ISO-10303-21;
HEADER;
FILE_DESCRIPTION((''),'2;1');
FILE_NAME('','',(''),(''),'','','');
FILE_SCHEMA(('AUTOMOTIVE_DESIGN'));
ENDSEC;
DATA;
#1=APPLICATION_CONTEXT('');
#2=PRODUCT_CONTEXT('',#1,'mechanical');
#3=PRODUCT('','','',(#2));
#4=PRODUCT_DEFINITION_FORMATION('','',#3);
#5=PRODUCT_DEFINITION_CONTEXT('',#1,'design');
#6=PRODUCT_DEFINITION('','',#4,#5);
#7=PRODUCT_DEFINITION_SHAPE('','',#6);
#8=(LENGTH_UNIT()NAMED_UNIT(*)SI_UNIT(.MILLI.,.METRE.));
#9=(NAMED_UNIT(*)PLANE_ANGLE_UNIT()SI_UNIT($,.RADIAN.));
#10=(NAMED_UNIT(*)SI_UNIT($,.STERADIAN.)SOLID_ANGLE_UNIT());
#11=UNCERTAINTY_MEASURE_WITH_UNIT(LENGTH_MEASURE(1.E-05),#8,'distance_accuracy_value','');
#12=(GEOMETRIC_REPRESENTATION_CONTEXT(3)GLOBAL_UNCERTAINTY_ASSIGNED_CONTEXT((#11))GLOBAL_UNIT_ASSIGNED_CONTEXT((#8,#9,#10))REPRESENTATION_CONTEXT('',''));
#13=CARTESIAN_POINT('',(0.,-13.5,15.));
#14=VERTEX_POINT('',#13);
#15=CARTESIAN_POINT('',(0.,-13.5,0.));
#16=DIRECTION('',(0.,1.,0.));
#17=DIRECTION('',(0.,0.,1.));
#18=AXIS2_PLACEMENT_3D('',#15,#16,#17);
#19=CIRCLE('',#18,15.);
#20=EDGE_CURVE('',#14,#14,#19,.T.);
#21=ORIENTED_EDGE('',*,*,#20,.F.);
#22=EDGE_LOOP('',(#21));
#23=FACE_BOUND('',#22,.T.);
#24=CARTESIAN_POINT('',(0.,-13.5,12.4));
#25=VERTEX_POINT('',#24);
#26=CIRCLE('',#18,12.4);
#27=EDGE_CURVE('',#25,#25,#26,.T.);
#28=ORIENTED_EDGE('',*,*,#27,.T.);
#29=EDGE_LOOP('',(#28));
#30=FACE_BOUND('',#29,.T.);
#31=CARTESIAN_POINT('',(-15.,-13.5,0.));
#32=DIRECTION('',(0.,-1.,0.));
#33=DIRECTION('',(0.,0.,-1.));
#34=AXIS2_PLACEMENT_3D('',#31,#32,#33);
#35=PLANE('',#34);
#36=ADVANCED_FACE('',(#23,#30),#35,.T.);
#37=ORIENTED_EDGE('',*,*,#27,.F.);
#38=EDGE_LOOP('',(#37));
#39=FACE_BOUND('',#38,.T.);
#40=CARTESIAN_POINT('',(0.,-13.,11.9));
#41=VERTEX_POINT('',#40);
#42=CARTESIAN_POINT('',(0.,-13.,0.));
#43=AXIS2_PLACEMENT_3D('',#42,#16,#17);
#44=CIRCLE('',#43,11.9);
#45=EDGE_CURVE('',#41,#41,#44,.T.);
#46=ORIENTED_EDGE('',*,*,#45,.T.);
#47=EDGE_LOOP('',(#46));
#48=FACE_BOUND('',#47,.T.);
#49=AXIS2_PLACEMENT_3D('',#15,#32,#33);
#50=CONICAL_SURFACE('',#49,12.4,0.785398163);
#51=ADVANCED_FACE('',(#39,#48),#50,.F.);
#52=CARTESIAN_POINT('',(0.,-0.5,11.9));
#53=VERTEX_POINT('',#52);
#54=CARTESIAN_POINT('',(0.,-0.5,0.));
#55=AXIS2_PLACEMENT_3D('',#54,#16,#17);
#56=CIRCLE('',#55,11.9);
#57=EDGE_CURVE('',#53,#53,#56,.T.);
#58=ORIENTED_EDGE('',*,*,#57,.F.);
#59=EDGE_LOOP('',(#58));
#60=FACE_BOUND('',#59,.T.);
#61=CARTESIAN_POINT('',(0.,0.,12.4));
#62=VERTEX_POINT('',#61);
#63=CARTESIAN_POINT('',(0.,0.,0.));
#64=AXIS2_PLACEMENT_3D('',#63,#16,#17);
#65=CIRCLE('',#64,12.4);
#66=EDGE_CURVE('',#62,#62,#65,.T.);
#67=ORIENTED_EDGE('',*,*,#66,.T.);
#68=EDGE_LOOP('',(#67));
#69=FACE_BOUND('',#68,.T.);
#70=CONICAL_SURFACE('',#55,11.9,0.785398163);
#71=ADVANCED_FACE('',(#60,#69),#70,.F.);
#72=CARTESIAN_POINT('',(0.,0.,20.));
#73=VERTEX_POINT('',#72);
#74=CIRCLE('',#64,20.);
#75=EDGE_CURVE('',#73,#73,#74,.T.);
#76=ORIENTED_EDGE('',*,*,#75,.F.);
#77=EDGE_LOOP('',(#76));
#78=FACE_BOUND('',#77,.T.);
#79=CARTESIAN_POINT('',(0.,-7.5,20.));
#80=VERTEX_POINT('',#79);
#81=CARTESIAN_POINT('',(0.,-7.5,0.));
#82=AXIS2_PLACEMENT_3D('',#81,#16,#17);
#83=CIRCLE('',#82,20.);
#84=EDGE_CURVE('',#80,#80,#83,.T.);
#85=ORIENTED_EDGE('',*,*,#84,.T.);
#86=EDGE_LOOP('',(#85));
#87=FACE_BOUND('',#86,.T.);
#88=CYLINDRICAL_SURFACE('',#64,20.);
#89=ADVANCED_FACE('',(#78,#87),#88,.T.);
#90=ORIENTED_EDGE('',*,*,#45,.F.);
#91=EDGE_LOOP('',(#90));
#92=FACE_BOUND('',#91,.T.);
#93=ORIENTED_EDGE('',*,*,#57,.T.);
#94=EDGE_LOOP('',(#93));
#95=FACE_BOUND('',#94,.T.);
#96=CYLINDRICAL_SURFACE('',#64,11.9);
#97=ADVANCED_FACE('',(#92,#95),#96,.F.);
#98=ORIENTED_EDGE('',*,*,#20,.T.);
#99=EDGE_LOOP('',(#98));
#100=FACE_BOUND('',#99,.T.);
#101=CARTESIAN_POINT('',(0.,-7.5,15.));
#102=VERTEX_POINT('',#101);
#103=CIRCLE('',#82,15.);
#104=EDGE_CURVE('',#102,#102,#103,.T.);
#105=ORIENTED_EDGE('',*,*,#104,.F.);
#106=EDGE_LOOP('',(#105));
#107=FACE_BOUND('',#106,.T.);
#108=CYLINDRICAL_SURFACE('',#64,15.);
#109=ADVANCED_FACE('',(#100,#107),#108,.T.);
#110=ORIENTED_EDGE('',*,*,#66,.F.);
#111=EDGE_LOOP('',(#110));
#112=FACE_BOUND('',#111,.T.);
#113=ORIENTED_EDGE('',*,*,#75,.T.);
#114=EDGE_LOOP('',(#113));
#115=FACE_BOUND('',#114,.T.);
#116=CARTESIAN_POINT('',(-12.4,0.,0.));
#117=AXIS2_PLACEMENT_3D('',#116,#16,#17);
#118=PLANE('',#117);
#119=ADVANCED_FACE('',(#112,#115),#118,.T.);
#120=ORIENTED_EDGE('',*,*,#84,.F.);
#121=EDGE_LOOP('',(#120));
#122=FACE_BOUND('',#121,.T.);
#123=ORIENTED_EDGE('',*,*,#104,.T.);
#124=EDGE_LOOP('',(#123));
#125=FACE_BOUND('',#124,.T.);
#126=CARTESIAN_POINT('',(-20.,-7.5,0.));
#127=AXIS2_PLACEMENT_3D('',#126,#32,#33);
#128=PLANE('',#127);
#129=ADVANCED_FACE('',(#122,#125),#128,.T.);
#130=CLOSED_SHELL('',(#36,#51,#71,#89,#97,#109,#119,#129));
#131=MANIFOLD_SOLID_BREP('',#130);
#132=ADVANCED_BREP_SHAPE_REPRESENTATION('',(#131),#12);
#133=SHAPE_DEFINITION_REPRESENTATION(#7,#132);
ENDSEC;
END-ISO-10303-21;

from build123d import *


with BuildPart() as part:
    # Esquisse1 → Révolution1 (revolve)
    with BuildSketch(Plane.XY, mode=Mode.PRIVATE) as r_volution1_sk:
        Polygon((-12.4, 0), (-20, 0), (-20, -7.5), (-15, -7.5), (-15, -13.5), (-12.4, -13.5), (-11.9, -13), (-11.9, -0.5), align=None)
    revolve(r_volution1_sk.sketch.rotate(Axis((0, 0, 0), (0, -1, 0)), 270), axis=Axis((0, 0, 0), (0, -1, 0)))


solid = part.part
